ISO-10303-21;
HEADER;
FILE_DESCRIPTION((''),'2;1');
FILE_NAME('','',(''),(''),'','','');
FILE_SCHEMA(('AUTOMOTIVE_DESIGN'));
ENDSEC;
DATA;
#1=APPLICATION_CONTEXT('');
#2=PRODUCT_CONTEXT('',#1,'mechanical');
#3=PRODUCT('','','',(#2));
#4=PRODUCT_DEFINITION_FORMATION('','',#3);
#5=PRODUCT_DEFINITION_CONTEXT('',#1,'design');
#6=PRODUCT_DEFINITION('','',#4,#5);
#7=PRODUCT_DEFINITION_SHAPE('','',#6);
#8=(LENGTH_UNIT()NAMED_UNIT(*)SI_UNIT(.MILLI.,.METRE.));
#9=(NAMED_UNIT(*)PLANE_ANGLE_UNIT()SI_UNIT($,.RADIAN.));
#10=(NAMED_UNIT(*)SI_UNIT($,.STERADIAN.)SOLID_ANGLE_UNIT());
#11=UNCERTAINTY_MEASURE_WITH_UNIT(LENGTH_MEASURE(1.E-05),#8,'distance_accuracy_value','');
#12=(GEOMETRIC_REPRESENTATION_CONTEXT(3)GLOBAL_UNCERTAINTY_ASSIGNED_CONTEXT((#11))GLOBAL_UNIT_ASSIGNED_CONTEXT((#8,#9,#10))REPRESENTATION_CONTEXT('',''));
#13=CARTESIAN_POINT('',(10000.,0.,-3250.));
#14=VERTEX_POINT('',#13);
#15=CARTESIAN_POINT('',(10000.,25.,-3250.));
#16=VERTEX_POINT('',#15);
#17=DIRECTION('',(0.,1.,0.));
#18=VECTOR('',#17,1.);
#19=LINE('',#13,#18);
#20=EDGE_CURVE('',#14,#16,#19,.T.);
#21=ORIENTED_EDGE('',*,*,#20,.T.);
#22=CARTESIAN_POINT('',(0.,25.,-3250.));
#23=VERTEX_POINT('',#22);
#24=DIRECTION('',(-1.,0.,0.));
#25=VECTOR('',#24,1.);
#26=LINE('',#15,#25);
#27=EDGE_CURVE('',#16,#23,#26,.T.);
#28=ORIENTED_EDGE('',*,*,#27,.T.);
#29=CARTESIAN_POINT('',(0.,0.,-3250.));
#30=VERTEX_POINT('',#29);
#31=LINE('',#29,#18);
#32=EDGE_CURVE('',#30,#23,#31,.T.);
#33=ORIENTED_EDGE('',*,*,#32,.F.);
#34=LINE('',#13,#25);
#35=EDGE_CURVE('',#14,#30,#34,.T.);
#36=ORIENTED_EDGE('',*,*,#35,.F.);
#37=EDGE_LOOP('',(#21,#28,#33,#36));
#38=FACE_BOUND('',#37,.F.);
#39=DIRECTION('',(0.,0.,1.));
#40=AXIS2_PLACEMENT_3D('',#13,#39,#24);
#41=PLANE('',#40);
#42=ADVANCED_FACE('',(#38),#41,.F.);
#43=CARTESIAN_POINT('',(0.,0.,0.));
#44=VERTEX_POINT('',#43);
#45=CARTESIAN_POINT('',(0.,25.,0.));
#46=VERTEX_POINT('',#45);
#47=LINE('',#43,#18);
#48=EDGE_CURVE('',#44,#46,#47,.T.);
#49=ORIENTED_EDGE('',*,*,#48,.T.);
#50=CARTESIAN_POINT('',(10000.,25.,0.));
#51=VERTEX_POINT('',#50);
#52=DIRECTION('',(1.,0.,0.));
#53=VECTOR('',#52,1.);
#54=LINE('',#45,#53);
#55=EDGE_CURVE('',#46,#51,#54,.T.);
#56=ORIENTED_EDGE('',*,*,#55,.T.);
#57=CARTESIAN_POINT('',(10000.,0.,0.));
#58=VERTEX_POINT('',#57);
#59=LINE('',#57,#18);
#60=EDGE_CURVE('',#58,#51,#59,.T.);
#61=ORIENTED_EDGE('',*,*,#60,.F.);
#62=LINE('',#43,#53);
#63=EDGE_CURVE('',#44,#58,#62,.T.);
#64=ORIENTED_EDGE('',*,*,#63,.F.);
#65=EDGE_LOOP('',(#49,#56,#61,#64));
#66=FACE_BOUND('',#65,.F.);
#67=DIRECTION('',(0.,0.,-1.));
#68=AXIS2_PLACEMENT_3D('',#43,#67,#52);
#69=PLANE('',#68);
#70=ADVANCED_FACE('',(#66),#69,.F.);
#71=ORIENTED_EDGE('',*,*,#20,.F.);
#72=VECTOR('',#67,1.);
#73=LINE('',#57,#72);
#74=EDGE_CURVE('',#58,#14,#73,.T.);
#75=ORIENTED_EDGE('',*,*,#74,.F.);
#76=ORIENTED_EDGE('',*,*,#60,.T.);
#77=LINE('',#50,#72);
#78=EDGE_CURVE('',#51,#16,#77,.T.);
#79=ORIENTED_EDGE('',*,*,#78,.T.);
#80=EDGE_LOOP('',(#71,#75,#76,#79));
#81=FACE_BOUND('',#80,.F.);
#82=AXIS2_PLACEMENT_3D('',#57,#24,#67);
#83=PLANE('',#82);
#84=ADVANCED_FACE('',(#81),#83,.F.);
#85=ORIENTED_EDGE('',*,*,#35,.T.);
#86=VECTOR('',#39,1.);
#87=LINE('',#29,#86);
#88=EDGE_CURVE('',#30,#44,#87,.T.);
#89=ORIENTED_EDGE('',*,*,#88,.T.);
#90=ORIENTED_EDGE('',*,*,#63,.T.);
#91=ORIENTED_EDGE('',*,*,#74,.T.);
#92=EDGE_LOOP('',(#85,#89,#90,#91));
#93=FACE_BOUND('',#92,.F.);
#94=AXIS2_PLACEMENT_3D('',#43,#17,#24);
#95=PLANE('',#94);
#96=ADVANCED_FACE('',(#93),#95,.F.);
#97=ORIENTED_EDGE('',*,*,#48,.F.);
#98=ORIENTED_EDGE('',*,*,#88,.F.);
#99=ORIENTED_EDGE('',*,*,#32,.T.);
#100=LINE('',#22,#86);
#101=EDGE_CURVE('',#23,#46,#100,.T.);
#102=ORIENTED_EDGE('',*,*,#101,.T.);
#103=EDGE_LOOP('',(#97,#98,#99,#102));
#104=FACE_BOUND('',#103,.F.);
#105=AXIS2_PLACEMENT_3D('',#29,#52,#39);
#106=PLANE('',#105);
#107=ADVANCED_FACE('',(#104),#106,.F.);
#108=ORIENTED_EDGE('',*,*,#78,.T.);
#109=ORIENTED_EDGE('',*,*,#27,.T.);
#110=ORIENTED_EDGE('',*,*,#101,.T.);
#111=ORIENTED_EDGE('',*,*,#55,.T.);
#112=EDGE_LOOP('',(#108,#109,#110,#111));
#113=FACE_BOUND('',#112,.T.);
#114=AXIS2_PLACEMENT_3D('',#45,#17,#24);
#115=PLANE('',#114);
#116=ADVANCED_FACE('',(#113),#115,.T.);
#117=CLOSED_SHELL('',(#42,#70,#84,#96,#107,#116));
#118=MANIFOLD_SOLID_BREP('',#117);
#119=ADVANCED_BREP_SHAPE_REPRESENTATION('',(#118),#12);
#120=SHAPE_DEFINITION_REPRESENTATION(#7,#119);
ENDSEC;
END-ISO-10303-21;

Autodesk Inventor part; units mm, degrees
ref_plane "YZ Plane" through (0, 0, 0) normal (1, 0, 0) x (0, 1, 0)
ref_plane "XZ Plane" through (0, 0, 0) normal (0, 1, 0) x (-1, 0, 0)
ref_plane "XY Plane" through (0, 0, 0) normal (0, 0, 1) x (1, 0, 0)
sketch "Sketch1" plane through (0, 0, 0) normal (0, 1, 0) x (-1, 0, 0)
  line L0 (0, 0) -> (-10000, 0)
  line L1 (-10000, 0) -> (-10000, -3250)
  line L2 (-10000, -3250) -> (0, -3250)
  line L3 (0, -3250) -> (0, 0)
  dimension "d0" = 10000
  dimension "d1" = 3250
extrude "Extrusion1" add sketch "Sketch1" along normal blind 25
properties part number "Floor, Uncutt" material "Acetal Resin, Black"
